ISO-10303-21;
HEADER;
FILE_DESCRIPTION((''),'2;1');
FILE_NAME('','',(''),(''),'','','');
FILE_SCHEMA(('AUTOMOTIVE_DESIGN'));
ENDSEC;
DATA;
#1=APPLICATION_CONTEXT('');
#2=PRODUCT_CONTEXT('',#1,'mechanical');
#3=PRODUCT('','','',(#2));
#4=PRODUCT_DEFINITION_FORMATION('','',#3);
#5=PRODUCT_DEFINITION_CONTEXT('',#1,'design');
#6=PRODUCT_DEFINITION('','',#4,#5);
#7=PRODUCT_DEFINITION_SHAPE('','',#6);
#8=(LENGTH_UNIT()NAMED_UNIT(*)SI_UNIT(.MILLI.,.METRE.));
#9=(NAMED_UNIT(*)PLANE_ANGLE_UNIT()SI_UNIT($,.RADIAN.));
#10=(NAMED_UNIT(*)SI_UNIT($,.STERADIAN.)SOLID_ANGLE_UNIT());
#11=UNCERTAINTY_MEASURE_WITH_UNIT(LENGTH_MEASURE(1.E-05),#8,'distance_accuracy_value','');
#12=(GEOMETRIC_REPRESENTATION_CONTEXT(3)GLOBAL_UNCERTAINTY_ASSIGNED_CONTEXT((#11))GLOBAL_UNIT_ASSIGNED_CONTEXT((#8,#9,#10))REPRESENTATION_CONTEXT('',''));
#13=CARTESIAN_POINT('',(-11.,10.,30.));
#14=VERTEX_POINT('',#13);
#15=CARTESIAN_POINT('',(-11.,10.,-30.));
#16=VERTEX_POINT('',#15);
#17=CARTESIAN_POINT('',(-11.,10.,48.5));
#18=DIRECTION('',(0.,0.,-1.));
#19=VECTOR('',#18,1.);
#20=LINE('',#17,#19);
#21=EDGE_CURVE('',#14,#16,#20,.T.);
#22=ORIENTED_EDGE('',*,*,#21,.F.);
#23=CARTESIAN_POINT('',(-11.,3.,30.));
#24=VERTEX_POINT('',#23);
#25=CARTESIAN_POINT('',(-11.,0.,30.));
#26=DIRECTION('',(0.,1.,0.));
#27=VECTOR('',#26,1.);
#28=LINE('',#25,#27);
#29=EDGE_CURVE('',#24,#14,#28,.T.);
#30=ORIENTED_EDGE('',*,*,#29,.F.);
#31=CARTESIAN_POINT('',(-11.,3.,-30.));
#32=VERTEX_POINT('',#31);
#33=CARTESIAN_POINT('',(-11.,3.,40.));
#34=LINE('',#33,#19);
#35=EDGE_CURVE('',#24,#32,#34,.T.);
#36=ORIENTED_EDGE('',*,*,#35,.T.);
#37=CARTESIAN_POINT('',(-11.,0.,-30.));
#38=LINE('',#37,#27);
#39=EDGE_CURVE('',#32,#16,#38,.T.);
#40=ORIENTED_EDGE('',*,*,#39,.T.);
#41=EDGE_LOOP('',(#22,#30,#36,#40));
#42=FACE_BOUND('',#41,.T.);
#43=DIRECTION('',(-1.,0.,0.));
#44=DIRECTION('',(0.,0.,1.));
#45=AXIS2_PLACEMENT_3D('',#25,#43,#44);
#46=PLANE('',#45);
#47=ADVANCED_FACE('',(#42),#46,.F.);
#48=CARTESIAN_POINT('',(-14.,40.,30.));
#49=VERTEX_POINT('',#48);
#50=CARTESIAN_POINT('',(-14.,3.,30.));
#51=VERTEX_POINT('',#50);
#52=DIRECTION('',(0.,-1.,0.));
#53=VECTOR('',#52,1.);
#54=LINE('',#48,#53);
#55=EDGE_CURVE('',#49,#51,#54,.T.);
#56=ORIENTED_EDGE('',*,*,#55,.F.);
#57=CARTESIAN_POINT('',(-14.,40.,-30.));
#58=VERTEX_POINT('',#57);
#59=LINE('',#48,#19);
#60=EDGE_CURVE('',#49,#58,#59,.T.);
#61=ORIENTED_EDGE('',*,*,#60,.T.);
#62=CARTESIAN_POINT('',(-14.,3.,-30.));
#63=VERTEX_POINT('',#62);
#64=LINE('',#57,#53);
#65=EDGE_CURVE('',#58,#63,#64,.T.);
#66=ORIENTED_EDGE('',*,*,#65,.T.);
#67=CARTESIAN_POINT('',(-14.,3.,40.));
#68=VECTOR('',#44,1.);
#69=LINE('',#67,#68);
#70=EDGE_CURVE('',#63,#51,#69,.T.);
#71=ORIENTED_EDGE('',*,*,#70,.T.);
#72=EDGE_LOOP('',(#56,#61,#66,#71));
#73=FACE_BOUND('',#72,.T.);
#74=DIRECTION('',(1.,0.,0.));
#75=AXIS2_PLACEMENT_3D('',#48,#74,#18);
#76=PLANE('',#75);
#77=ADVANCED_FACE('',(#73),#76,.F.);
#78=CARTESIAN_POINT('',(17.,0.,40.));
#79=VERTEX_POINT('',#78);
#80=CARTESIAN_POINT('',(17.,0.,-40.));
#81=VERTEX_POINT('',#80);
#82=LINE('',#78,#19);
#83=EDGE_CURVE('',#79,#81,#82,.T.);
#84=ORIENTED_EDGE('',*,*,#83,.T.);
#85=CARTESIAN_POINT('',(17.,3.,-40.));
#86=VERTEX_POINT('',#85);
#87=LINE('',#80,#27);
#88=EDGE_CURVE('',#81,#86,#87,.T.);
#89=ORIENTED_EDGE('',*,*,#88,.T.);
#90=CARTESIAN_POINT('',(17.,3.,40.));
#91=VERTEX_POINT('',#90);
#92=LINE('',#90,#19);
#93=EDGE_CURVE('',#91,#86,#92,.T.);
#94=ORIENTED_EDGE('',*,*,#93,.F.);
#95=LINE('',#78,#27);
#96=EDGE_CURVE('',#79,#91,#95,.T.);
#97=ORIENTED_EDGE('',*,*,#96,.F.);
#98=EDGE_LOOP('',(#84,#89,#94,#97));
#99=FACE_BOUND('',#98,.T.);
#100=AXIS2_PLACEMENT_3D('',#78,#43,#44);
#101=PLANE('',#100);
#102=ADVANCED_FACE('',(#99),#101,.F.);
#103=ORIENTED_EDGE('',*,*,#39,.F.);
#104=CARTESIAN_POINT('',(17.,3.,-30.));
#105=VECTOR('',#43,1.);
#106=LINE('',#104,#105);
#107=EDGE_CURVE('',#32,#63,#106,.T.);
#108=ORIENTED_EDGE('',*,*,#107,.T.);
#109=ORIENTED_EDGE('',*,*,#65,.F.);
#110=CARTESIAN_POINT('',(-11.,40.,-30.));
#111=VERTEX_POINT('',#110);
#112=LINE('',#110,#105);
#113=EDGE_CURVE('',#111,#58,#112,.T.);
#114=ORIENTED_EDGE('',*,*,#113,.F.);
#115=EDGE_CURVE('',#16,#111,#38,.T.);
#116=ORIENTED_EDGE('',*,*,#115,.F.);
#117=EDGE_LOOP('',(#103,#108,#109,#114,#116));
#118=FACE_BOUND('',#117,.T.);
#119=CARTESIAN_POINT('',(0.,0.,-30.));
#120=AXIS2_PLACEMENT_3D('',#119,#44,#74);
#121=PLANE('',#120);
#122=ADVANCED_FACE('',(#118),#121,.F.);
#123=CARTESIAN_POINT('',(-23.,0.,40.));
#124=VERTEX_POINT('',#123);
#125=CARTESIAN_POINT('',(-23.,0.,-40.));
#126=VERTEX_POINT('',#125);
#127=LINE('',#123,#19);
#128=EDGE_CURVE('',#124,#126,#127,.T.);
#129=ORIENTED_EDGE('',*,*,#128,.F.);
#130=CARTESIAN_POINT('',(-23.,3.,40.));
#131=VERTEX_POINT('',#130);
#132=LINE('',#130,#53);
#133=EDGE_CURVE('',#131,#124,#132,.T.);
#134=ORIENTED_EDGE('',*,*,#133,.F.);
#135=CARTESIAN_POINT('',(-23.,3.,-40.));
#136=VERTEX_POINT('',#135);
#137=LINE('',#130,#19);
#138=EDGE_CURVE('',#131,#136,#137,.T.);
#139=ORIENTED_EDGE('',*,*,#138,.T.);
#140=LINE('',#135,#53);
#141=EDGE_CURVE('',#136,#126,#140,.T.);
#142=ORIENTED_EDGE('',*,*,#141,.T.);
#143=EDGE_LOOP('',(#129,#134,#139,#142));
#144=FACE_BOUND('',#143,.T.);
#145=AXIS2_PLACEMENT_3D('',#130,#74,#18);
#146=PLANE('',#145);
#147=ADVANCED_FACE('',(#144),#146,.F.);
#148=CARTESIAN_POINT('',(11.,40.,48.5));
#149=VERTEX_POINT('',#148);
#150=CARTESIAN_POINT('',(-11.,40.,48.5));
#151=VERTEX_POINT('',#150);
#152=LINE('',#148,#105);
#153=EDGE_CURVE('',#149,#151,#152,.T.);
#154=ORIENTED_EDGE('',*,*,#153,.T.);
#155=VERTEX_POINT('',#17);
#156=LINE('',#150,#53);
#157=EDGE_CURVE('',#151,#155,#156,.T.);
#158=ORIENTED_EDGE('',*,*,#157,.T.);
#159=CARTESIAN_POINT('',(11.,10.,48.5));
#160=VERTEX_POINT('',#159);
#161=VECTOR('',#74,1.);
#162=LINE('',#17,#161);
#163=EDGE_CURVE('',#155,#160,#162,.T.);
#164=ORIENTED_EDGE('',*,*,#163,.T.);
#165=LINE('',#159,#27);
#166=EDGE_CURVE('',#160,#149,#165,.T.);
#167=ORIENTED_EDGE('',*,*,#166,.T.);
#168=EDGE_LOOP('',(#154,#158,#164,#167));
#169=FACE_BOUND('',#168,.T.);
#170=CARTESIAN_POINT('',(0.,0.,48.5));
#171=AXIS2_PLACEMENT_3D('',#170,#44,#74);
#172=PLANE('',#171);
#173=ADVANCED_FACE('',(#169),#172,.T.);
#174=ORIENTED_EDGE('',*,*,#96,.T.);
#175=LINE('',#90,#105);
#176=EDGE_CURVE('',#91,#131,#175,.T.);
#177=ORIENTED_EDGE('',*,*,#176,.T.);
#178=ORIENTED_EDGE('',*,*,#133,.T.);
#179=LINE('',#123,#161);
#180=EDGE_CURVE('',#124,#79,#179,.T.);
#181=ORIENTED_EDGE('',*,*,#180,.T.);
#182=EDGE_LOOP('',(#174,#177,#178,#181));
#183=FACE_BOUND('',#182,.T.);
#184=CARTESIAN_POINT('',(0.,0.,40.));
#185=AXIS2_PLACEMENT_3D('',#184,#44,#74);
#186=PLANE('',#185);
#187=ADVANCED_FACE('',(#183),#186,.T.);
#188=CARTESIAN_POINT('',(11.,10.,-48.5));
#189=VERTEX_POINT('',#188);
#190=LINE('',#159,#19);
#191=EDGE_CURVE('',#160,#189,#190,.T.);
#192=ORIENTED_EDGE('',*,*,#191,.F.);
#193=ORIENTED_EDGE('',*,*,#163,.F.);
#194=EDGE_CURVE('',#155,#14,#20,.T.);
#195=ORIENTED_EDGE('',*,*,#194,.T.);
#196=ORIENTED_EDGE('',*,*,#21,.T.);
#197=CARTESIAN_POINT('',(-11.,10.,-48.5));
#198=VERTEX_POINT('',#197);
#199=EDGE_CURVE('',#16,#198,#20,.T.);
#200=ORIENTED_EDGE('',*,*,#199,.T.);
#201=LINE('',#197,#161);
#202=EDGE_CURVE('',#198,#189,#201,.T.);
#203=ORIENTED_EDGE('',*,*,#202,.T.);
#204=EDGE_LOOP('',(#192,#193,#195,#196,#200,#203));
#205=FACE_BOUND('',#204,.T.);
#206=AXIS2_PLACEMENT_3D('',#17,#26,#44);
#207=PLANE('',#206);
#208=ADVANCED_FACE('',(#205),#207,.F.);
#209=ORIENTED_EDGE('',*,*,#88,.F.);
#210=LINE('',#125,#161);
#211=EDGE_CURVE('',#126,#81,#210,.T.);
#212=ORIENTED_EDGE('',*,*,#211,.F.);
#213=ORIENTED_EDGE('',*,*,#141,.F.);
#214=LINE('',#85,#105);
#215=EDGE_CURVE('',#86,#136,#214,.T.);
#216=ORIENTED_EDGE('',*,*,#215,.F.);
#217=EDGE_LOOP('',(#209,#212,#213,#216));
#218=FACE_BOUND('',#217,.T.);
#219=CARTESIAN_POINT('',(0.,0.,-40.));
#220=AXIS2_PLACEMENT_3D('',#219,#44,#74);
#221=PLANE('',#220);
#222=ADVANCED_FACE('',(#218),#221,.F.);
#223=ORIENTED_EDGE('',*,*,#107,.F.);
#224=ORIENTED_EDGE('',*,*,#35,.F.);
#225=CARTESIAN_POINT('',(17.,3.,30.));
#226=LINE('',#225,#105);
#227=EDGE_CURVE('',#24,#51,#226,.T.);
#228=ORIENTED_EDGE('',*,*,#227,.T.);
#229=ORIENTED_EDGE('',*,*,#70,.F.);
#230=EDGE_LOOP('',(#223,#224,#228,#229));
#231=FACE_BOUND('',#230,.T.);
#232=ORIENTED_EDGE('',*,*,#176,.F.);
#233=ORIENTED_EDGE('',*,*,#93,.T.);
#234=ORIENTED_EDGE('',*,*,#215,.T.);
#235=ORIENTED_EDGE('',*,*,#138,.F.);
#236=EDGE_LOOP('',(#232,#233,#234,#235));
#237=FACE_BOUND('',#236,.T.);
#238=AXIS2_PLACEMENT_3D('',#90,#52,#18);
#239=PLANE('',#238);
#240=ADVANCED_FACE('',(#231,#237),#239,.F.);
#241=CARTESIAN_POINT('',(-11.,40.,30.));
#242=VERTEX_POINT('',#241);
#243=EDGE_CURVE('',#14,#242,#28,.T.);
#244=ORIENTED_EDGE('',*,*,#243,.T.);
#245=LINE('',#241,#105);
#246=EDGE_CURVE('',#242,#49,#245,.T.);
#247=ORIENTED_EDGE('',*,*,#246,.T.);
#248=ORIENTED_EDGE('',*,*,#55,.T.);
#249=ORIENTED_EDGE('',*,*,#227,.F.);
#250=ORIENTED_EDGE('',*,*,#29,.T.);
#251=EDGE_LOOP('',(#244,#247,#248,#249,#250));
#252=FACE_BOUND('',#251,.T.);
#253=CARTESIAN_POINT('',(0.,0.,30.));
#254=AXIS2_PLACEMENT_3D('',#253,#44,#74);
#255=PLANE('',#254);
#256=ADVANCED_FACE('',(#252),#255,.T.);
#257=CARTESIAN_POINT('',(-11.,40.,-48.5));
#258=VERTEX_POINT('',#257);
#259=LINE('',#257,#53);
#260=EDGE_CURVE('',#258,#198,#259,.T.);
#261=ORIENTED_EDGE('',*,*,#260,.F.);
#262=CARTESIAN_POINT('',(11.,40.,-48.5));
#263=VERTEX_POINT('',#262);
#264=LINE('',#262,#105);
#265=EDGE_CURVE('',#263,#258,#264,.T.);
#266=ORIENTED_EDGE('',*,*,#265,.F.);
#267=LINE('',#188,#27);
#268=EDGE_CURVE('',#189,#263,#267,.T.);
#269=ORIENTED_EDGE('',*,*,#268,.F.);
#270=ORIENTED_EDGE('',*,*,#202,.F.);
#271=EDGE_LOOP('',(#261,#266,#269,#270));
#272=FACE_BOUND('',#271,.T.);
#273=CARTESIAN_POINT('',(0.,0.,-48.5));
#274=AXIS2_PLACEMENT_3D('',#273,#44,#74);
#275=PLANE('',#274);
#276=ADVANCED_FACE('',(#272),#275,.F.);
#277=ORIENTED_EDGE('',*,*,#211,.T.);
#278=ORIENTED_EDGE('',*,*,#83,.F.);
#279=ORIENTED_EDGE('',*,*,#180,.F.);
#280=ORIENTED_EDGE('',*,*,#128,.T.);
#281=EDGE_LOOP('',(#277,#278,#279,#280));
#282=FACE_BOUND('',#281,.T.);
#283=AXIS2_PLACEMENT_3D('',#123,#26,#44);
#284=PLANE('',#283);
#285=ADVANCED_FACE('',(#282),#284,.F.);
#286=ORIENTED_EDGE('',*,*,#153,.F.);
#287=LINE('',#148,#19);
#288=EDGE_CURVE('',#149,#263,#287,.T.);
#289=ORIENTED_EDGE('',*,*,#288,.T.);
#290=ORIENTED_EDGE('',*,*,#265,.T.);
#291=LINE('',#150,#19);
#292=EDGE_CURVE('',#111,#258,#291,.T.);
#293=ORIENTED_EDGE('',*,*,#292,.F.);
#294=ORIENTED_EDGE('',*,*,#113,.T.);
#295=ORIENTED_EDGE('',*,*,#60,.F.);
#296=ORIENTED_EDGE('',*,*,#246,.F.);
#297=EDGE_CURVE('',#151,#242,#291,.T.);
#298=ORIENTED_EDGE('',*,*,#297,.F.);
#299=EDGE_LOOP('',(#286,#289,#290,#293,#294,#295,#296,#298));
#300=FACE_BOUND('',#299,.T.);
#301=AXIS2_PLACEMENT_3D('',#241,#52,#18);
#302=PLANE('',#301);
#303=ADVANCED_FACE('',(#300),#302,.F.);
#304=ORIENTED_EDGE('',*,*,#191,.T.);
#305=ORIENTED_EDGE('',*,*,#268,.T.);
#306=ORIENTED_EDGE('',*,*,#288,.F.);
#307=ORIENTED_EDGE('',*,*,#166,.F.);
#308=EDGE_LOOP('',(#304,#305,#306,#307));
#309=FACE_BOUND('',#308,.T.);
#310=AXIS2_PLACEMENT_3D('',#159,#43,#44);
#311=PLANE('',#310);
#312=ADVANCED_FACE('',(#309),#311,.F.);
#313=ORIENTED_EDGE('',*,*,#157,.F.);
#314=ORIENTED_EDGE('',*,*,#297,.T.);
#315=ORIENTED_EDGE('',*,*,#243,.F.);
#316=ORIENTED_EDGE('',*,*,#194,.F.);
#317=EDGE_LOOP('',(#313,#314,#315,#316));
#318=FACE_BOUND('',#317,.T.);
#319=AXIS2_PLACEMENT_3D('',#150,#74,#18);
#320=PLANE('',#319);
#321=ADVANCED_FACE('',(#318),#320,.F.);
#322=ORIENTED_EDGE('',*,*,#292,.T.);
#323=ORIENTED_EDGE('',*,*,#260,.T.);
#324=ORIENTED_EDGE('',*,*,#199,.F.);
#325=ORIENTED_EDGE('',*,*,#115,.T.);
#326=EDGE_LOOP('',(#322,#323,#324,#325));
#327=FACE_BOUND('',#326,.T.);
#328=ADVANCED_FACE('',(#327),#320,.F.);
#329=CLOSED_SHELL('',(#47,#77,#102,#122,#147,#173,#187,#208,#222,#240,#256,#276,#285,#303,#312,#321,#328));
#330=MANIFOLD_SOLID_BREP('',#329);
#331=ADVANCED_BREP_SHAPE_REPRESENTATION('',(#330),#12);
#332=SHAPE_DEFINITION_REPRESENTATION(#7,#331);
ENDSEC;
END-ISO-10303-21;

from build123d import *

# Parameters (mm, degrees)
SK_BRACKET_BASE_W     = 40
SK_BRACKET_BASE_H     = 3
BRACKET_BASE_DEPTH    = 40
SK_BRACKET_UPRIGHT_W  = 3
SK_BRACKET_UPRIGHT_H  = 40
BRACKET_UPRIGHT_DEPTH = 30
SK_CAMERA_W           = 22
SK_CAMERA_H           = 30
CAMERA_DEPTH          = 48.5


with BuildPart() as part:
    # SK_Bracket_Base → Bracket_Base (new, symmetric)
    with BuildSketch(Plane.XY):
        with Locations((-3, 1.5)):
            Rectangle(SK_BRACKET_BASE_W, SK_BRACKET_BASE_H)
    extrude(amount=BRACKET_BASE_DEPTH, both=True)

    # SK_Bracket_Upright → Bracket_Upright (add, symmetric)
    with BuildSketch(Plane.XY):
        with Locations((-12.5, 20)):
            Rectangle(SK_BRACKET_UPRIGHT_W, SK_BRACKET_UPRIGHT_H)
    extrude(amount=BRACKET_UPRIGHT_DEPTH, both=True)

    # SK_Camera → Camera (add, symmetric)
    with BuildSketch(Plane.XY):
        with Locations((0, 25)):
            Rectangle(SK_CAMERA_W, SK_CAMERA_H)
    extrude(amount=CAMERA_DEPTH, both=True)


solid = part.part
